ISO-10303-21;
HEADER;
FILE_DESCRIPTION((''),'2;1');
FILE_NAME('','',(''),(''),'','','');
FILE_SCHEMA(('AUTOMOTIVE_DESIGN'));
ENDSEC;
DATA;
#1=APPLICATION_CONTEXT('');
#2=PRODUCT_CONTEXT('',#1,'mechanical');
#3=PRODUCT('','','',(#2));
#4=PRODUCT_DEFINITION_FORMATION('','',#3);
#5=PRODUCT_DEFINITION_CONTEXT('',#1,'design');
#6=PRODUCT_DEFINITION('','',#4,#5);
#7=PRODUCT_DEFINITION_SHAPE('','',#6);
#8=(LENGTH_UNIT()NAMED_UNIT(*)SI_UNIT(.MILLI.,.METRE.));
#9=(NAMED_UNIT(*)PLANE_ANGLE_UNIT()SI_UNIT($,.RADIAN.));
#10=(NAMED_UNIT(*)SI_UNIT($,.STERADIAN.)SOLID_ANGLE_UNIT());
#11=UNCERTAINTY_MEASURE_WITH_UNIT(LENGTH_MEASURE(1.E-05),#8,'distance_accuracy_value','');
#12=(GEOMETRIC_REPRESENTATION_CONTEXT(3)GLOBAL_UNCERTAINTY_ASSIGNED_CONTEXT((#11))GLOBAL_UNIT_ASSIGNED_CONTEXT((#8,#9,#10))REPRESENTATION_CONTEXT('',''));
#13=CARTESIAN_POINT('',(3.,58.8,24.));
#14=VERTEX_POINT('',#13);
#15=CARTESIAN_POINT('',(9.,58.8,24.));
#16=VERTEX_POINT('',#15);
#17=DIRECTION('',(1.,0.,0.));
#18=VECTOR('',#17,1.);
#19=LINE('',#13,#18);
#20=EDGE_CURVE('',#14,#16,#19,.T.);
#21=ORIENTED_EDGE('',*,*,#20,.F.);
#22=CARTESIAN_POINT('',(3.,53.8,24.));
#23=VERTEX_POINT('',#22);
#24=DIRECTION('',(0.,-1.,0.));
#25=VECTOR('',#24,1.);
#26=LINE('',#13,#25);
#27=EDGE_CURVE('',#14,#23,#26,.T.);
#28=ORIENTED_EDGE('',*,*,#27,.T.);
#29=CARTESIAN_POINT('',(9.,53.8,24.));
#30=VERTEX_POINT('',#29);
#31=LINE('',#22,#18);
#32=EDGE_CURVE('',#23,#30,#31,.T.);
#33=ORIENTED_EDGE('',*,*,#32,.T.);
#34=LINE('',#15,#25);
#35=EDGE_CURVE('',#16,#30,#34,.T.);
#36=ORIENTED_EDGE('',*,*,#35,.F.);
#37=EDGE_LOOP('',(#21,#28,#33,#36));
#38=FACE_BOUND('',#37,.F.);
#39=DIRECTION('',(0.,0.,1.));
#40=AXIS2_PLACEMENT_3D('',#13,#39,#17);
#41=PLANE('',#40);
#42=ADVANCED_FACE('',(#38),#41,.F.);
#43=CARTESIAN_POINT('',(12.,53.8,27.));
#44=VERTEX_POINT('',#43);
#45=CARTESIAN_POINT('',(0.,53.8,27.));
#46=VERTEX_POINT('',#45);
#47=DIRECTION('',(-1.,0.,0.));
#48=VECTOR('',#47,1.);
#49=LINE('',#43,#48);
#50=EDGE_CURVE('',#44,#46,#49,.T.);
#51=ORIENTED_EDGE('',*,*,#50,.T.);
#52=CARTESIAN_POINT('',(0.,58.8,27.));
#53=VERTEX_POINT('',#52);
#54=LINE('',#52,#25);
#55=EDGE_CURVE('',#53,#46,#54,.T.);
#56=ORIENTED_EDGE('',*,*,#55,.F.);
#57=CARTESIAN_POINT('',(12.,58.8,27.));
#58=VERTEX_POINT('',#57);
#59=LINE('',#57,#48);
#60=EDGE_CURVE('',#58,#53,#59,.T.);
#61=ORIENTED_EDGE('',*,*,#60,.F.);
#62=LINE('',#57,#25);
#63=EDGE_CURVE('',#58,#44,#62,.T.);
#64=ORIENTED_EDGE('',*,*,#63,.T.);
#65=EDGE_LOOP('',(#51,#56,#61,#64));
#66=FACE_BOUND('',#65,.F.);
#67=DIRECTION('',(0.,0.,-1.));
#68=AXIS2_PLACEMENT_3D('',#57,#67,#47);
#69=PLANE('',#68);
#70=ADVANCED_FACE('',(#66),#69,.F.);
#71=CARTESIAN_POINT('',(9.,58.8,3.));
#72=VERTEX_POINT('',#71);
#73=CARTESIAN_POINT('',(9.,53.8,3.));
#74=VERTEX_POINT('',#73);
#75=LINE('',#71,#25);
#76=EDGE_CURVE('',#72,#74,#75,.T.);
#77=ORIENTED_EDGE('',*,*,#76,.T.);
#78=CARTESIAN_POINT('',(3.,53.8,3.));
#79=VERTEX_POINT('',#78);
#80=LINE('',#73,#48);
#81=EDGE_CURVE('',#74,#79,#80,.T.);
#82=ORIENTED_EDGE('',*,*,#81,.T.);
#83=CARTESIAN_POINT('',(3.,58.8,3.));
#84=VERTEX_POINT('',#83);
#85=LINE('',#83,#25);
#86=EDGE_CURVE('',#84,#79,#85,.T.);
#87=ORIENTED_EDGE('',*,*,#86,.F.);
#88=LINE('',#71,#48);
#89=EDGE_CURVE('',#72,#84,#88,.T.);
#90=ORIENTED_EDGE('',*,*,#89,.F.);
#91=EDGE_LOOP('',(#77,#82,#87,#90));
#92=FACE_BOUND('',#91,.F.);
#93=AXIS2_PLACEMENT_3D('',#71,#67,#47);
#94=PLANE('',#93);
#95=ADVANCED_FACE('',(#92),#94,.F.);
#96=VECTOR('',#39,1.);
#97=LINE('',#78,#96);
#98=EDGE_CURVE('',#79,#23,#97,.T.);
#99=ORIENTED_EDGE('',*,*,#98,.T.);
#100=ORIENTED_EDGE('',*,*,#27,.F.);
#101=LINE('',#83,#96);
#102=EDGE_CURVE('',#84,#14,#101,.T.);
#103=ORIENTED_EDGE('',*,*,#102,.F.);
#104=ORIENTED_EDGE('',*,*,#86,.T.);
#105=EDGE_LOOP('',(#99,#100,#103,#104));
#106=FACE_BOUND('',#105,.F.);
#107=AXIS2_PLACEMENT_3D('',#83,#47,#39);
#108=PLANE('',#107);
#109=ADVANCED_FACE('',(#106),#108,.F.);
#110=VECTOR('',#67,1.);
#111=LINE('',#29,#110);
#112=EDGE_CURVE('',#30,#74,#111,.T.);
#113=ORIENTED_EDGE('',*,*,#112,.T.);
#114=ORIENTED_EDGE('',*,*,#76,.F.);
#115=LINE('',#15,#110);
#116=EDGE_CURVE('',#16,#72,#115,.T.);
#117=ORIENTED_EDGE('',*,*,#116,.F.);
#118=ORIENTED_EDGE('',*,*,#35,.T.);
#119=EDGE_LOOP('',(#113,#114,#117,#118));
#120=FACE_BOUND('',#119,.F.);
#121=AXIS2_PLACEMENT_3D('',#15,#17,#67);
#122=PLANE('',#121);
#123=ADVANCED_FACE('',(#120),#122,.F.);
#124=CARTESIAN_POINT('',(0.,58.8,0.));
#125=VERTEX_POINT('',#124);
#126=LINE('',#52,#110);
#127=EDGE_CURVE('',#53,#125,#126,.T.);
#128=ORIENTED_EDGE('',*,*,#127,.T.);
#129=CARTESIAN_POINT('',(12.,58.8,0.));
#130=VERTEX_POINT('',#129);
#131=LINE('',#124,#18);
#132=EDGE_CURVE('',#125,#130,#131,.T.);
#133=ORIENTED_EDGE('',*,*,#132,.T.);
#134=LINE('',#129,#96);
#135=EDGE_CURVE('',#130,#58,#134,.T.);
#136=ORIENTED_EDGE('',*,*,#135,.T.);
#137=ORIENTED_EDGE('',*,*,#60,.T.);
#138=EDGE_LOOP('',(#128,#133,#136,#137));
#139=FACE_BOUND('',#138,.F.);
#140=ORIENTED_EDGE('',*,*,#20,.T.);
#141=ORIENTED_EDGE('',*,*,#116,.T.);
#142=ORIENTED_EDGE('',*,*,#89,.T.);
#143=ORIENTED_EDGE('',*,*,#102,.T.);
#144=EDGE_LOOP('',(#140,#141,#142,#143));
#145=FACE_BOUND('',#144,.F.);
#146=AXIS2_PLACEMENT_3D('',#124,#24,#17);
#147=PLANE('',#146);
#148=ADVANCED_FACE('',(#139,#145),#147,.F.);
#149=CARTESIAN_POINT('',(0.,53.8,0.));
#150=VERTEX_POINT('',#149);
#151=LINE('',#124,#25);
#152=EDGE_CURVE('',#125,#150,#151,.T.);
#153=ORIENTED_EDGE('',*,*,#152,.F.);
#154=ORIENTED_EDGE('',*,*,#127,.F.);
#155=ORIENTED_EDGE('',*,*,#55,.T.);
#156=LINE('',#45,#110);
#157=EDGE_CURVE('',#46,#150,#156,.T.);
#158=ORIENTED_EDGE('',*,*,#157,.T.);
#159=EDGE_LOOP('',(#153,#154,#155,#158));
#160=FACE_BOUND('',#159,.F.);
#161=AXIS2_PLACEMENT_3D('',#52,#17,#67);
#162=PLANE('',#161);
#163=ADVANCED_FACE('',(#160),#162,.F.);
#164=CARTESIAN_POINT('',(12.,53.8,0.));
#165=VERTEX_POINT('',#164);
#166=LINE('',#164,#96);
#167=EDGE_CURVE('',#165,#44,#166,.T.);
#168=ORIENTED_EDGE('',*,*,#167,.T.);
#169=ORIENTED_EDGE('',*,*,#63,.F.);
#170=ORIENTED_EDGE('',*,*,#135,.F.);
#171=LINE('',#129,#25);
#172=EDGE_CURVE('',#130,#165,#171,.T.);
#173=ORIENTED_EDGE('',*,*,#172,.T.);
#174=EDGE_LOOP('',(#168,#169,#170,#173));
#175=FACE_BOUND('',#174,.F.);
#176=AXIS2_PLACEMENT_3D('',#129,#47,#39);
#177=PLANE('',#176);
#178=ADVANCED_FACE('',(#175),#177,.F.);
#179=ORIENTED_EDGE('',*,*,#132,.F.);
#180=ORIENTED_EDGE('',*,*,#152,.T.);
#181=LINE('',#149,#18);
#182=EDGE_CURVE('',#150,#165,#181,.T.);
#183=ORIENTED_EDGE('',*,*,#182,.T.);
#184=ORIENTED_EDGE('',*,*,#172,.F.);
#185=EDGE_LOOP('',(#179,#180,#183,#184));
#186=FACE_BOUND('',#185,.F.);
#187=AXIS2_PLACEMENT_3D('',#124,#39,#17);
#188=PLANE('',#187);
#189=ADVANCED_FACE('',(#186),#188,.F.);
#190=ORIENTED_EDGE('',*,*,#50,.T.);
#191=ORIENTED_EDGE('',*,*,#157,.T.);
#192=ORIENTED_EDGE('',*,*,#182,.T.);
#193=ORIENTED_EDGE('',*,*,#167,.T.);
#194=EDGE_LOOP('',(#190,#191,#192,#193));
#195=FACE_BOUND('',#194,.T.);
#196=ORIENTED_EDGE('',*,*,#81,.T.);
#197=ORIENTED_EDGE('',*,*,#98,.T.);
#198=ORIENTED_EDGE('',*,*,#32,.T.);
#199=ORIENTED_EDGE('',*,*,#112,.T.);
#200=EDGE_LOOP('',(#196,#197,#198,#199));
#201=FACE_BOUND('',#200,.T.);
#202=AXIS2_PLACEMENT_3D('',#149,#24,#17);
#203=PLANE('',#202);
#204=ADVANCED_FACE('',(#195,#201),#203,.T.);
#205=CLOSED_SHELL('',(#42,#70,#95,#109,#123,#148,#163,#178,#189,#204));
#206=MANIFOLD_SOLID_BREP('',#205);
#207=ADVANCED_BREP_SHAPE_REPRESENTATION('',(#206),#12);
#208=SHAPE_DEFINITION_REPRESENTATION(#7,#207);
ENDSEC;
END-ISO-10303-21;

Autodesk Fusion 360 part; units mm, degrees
sketch "Esboço1" plane through (0, 0, 0) normal (0, 0, 1) x (1, 0, 0)
  line L0 (0, 0) -> (28.4, 0)
  line L1 (28.4, 0) -> (28.4, 58.2)
  line L2 (28.4, 58.2) -> (0, 58.2)
  line L3 (0, 58.2) -> (0, 0)
  line L4 (-5.0078, -5.0078) -> (33.4078, -5.0078)
  line L5 (33.4078, -5.0078) -> (33.4078, 63.2078)
  line L6 (33.4078, 63.2078) -> (-5.0078, 63.2078)
  line L7 (-5.0078, 63.2078) -> (-5.0078, -5.0078)
  dimension "d1" = 28.4
  dimension "d2" = 58.2
  dimension "d3" = 5.0078
extrude "Extrusão1" add sketch "Esboço1" along normal blind 10 makes body 1
sketch "Esboço2" plane through (0, 0, 0) normal (0, 1, 0) x (-1, 0, 0)
  line L0 (-28.4, 0) -> (0, 0)
  line L1 (0, 0) -> (0, 10)
  line L2 (0, 10) -> (-28.4, 10)
  line L3 (-28.4, 10) -> (-28.4, 0)
  line L4 (-14.2, 0) -> (-17.2, 0)
  line L5 (-17.2, 0) -> (-17.2, 10)
  line L6 (-17.2, 10) -> (-14.2, 10)
  line L7 (-14.2, 10) -> (-14.2, 0)
  line L8 (-14.2, 0) -> (-11.2, 0)
  line L9 (-11.2, 0) -> (-11.2, 10)
  line L10 (-11.2, 10) -> (-14.2, 10)
  line L11 (-14.2, 10) -> (-14.2, 0)
  dimension "d6" = 3
extrude "Extrusão2" cut sketch "Esboço2" along normal blind -0.6 and the other way blind -58.8 contours L0 L2 L4 L5 L6 L7 L11 | L0 L2 L7 L8 L9 L10 L11 bodies 1
sketch "Esboço3" plane through (0, 58.8, 0) normal (0, -1, 0) x (1, 0, 0)
  line L0 (11.2, 0) -> (17.2, 0)
  line L1 (17.2, 0) -> (17.2, 10)
  line L2 (17.2, 10) -> (11.2, 10)
  line L3 (11.2, 10) -> (11.2, 0)
  line L4 (11.2, 5) -> (17.2, 5)
  line L5 (17.2, 4.9) -> (11.2, 4.9)
  line L6 (17.2, 5.1) -> (11.2, 5.1)
  line L7 (17.2, 5.1) -> (17.2, 4.9)
  line L8 (11.2, 5.1) -> (11.2, 4.9)
  dimension "d11" = 0.1
  dimension "d12" = 0.1
extrude "Extrusão4" cut sketch "Esboço3" against normal blind 0.3 contours L1 L3 L4 L5 L7 L8 | L1 L3 L4 L6 L7 L8 bodies 1
chamfer "Chanfro1" distance 1.2 distance2 0.3 2 edges at (14.2, 58.8, 5.1) (14.2, 58.8, 4.9) measured on face at (15.2, 58.8, 8.3667) measured on face at (15.2, 58.8, 3.2667) on bodies 1
sketch "Sketch5" plane through (0, 58.8, 0) normal (0, -1, 0) x (1, 0, 0)
  line L0 (0, 0) -> (12, 0)
  line L1 (12, 0) -> (12, 27)
  line L2 (12, 27) -> (0, 27)
  line L3 (0, 27) -> (0, 0)
  line L4 (9, 3) -> (3, 3)
  line L5 (3, 3) -> (3, 24)
  line L6 (3, 24) -> (9, 24)
  line L7 (9, 24) -> (9, 3)
  line L8 (9, 3) -> (3, 24) construction
  line L9 (3, 3) -> (9, 24) construction
  point P0 (6, 13.5)
  dimension "d25" = 12
  dimension "d26" = 27
  dimension "d27" = 6
  dimension "d28" = 21
extrude "Extrude6" add sketch "Sketch5" along normal blind 5 separate body makes body 2
sketch "Esboço4" plane through (0, -0.6, 0) normal (0, 1, 0) x (-1, 0, 0)
  line L0 (-17.2, 0) -> (-11.2, 0)
  line L1 (-11.2, 0) -> (-11.2, 10)
  line L2 (-11.2, 10) -> (-17.2, 10)
  line L3 (-17.2, 10) -> (-17.2, 0)
  line L4 (-11.2, 4.9) -> (-17.2, 4.9)
  line L5 (-11.2, 5.1) -> (-11.2, 4.9)
  line L6 (-11.2, 5.1) -> (-17.2, 5.1)
  line L7 (-17.2, 5) -> (-11.2, 5)
  line L8 (-17.2, 5.1) -> (-17.2, 4.9)
  dimension "d19" = 0.1
  dimension "d20" = 0.1
extrude "Extrusão5" cut sketch "Esboço4" against normal blind 0.3 contours L1 L3 L4 L5 L7 L8 | L1 L3 L5 L6 L7 L8 bodies 1
chamfer "Chanfro2" distance 1.2 distance2 0.3 2 edges at (14.2, -0.6, 4.9) (14.2, -0.6, 5.1) measured on face at (15.2, -0.6, 3.2667) measured on face at (15.2, -0.6, 6.7333) on bodies 1
hidden bodies 1
